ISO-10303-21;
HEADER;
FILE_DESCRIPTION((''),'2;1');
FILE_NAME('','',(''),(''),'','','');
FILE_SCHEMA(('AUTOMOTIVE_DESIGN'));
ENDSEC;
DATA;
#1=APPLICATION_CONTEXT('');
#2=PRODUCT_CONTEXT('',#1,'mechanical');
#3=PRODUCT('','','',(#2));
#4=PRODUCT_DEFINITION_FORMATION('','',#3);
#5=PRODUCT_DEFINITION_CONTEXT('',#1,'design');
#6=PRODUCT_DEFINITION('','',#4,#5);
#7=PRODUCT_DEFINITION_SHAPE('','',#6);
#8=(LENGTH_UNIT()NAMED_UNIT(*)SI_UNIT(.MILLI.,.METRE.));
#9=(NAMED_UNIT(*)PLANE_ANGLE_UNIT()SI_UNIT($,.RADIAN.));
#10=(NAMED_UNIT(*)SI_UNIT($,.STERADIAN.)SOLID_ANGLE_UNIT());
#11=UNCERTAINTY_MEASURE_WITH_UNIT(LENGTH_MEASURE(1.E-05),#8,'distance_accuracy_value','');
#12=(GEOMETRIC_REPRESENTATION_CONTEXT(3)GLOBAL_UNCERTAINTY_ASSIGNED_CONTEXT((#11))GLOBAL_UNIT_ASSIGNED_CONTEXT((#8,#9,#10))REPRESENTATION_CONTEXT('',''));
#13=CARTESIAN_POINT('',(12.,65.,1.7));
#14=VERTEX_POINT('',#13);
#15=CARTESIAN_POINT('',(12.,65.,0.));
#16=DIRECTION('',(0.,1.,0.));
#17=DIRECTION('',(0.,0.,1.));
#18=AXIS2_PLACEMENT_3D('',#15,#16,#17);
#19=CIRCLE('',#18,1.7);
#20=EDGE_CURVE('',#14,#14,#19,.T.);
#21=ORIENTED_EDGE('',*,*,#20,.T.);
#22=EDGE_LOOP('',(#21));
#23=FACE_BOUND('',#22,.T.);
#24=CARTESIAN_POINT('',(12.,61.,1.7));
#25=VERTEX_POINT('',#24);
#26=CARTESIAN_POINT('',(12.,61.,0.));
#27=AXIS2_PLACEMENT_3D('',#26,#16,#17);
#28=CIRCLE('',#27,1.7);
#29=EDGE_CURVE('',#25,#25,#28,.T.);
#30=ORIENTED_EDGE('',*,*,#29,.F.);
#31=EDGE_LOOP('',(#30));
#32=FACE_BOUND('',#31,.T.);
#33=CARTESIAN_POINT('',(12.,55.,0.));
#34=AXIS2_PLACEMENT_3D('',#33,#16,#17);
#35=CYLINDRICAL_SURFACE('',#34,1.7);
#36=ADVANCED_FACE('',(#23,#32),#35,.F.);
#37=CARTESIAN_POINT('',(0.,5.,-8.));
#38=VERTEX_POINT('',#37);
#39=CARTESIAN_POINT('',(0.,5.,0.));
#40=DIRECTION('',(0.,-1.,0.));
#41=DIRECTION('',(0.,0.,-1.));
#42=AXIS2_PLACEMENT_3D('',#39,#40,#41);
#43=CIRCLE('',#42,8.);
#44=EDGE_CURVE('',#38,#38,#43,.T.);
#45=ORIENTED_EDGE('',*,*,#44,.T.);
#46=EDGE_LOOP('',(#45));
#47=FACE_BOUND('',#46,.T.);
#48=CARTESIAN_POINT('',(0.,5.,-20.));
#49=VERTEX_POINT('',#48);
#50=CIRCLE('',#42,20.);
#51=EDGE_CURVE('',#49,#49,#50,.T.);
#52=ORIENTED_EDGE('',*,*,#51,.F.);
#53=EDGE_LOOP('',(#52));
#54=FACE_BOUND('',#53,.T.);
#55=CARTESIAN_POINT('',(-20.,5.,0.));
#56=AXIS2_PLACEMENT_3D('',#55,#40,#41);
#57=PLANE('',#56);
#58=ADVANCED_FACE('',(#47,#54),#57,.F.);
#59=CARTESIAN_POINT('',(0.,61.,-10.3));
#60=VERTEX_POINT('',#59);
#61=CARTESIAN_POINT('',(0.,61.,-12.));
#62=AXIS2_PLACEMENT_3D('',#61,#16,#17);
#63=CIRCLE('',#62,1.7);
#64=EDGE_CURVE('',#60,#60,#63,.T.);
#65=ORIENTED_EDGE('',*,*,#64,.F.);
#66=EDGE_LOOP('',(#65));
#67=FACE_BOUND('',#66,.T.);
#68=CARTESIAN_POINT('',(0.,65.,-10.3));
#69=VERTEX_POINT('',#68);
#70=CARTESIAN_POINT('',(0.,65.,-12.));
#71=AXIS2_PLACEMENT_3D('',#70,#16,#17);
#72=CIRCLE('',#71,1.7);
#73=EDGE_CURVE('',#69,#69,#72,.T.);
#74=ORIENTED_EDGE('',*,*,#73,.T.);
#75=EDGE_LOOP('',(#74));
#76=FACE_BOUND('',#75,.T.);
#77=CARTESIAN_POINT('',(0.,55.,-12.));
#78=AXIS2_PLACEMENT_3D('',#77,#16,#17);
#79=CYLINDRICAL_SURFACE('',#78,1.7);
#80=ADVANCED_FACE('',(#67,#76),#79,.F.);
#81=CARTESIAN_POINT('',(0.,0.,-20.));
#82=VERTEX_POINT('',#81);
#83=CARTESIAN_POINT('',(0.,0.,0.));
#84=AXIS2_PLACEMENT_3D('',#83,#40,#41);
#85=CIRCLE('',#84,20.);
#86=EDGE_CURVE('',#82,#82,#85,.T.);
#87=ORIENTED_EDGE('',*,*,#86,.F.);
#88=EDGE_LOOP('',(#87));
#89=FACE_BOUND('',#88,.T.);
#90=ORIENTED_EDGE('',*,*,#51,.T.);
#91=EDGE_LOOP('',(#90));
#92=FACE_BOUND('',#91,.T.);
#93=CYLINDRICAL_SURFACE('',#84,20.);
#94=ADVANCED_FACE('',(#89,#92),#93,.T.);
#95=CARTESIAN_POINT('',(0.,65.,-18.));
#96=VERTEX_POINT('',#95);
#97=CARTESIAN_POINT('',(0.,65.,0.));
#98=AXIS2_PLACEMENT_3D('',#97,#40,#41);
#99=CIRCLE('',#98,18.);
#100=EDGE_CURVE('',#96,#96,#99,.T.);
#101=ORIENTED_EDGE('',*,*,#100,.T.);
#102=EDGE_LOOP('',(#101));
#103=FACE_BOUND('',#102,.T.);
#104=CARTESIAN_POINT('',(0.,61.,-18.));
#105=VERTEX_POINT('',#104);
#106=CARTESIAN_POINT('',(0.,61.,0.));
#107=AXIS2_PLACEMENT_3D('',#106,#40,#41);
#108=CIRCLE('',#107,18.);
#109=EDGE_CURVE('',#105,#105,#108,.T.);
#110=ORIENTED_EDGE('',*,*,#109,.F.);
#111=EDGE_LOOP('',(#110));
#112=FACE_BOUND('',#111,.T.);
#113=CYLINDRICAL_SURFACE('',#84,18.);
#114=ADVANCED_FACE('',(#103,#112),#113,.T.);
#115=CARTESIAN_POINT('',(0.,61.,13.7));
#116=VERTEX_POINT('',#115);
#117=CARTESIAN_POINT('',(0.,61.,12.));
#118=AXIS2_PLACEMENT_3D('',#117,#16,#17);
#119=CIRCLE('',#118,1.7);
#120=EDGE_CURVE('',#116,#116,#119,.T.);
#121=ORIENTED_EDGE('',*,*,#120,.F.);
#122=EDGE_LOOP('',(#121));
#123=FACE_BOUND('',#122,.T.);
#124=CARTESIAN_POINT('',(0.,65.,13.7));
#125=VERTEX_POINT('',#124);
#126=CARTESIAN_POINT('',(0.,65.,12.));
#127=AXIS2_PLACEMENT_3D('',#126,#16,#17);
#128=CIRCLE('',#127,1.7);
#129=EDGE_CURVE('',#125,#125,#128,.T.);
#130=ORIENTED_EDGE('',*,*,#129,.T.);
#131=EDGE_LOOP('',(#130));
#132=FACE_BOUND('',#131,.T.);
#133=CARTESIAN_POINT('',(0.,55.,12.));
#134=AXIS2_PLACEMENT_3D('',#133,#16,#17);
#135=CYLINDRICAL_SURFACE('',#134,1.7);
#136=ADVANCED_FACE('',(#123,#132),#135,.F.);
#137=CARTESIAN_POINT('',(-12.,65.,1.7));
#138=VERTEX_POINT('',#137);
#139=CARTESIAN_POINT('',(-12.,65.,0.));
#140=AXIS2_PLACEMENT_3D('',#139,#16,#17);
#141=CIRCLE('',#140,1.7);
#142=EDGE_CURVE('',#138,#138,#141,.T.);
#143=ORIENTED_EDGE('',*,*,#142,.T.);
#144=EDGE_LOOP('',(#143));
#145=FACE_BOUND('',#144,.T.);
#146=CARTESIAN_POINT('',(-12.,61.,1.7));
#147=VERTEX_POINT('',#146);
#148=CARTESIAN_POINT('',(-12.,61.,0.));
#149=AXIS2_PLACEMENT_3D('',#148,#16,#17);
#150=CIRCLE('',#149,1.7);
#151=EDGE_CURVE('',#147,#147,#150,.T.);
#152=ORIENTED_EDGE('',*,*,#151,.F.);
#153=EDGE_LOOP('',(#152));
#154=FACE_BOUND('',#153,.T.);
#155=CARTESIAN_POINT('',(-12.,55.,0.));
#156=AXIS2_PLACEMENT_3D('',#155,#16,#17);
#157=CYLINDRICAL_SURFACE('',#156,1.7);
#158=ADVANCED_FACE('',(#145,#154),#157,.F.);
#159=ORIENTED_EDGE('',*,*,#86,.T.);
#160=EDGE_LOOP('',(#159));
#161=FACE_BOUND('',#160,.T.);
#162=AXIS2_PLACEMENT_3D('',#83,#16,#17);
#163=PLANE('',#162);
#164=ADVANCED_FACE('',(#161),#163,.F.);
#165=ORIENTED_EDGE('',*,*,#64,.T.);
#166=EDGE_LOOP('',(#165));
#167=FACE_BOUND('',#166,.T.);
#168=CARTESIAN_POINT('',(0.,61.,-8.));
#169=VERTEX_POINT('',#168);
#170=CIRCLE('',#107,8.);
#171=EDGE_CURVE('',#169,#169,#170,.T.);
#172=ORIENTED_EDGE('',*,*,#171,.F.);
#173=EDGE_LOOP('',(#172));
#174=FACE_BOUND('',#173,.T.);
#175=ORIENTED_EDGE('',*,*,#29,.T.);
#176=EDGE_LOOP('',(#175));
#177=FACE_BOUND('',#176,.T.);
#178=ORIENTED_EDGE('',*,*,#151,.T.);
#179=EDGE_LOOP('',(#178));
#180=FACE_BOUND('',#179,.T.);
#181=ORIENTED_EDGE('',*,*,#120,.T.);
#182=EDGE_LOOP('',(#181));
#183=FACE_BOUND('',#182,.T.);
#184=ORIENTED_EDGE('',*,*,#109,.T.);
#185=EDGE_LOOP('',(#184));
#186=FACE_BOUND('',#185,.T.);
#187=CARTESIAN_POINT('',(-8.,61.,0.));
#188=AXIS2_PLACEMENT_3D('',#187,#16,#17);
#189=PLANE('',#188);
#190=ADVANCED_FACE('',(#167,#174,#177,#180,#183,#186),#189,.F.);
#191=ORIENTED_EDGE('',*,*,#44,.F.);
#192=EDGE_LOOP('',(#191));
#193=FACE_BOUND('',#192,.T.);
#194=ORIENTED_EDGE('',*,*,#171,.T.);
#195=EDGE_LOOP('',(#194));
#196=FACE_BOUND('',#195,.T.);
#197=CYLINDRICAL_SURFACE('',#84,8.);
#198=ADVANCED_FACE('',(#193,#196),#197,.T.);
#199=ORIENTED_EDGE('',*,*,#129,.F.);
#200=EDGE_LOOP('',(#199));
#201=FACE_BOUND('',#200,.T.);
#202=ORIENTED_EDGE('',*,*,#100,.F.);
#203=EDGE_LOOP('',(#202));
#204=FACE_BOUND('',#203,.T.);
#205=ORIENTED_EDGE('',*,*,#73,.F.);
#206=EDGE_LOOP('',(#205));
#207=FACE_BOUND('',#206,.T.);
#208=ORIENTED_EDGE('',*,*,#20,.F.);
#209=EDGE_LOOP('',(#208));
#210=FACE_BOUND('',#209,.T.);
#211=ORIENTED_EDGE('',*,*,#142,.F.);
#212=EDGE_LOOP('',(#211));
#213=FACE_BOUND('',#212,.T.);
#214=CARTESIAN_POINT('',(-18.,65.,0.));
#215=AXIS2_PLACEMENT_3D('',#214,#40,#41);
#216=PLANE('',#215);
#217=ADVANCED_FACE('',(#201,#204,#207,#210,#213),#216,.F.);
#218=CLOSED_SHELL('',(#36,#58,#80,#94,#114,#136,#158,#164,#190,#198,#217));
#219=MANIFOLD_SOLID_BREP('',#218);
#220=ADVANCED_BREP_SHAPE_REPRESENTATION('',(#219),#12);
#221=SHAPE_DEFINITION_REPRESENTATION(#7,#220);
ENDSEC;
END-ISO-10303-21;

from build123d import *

# Parameters (mm, degrees)
SKETCH_2_R          = 1.7
CUT_EXTRUDE_1_DEPTH = 10


with BuildPart() as part:
    # 草图1 → 旋转1 (revolve)
    with BuildSketch(Plane.XY, mode=Mode.PRIVATE) as revolve_1_sk:
        Polygon((0, 0), (-20, 0), (-20, 5), (-8, 5), (-8, 61), (-18, 61), (-18, 65), (0, 65), align=None)
    revolve(revolve_1_sk.sketch.rotate(Axis((0, 0, 0), (0, 1, 0)), 270), axis=Axis((0, 0, 0), (0, 1, 0)))

    # 草图2 → 切除-拉伸1 (cut)
    with BuildSketch(Plane(origin=(0, 65, 0), x_dir=(1, 0, 0), z_dir=(0, 1, 0))):
        with Locations(Location((12, 0, 0), (0, 0, 270))):
            Circle(SKETCH_2_R)
        with Locations(Location((0, -12, 0), (0, 0, 270))):
            Circle(SKETCH_2_R)
        with Locations(Location((-12, 0, 0), (0, 0, 270))):
            Circle(SKETCH_2_R)
        with Locations(Location((0, 12, 0), (0, 0, 270))):
            Circle(SKETCH_2_R)
    extrude(amount=-CUT_EXTRUDE_1_DEPTH, mode=Mode.SUBTRACT)


solid = part.part
